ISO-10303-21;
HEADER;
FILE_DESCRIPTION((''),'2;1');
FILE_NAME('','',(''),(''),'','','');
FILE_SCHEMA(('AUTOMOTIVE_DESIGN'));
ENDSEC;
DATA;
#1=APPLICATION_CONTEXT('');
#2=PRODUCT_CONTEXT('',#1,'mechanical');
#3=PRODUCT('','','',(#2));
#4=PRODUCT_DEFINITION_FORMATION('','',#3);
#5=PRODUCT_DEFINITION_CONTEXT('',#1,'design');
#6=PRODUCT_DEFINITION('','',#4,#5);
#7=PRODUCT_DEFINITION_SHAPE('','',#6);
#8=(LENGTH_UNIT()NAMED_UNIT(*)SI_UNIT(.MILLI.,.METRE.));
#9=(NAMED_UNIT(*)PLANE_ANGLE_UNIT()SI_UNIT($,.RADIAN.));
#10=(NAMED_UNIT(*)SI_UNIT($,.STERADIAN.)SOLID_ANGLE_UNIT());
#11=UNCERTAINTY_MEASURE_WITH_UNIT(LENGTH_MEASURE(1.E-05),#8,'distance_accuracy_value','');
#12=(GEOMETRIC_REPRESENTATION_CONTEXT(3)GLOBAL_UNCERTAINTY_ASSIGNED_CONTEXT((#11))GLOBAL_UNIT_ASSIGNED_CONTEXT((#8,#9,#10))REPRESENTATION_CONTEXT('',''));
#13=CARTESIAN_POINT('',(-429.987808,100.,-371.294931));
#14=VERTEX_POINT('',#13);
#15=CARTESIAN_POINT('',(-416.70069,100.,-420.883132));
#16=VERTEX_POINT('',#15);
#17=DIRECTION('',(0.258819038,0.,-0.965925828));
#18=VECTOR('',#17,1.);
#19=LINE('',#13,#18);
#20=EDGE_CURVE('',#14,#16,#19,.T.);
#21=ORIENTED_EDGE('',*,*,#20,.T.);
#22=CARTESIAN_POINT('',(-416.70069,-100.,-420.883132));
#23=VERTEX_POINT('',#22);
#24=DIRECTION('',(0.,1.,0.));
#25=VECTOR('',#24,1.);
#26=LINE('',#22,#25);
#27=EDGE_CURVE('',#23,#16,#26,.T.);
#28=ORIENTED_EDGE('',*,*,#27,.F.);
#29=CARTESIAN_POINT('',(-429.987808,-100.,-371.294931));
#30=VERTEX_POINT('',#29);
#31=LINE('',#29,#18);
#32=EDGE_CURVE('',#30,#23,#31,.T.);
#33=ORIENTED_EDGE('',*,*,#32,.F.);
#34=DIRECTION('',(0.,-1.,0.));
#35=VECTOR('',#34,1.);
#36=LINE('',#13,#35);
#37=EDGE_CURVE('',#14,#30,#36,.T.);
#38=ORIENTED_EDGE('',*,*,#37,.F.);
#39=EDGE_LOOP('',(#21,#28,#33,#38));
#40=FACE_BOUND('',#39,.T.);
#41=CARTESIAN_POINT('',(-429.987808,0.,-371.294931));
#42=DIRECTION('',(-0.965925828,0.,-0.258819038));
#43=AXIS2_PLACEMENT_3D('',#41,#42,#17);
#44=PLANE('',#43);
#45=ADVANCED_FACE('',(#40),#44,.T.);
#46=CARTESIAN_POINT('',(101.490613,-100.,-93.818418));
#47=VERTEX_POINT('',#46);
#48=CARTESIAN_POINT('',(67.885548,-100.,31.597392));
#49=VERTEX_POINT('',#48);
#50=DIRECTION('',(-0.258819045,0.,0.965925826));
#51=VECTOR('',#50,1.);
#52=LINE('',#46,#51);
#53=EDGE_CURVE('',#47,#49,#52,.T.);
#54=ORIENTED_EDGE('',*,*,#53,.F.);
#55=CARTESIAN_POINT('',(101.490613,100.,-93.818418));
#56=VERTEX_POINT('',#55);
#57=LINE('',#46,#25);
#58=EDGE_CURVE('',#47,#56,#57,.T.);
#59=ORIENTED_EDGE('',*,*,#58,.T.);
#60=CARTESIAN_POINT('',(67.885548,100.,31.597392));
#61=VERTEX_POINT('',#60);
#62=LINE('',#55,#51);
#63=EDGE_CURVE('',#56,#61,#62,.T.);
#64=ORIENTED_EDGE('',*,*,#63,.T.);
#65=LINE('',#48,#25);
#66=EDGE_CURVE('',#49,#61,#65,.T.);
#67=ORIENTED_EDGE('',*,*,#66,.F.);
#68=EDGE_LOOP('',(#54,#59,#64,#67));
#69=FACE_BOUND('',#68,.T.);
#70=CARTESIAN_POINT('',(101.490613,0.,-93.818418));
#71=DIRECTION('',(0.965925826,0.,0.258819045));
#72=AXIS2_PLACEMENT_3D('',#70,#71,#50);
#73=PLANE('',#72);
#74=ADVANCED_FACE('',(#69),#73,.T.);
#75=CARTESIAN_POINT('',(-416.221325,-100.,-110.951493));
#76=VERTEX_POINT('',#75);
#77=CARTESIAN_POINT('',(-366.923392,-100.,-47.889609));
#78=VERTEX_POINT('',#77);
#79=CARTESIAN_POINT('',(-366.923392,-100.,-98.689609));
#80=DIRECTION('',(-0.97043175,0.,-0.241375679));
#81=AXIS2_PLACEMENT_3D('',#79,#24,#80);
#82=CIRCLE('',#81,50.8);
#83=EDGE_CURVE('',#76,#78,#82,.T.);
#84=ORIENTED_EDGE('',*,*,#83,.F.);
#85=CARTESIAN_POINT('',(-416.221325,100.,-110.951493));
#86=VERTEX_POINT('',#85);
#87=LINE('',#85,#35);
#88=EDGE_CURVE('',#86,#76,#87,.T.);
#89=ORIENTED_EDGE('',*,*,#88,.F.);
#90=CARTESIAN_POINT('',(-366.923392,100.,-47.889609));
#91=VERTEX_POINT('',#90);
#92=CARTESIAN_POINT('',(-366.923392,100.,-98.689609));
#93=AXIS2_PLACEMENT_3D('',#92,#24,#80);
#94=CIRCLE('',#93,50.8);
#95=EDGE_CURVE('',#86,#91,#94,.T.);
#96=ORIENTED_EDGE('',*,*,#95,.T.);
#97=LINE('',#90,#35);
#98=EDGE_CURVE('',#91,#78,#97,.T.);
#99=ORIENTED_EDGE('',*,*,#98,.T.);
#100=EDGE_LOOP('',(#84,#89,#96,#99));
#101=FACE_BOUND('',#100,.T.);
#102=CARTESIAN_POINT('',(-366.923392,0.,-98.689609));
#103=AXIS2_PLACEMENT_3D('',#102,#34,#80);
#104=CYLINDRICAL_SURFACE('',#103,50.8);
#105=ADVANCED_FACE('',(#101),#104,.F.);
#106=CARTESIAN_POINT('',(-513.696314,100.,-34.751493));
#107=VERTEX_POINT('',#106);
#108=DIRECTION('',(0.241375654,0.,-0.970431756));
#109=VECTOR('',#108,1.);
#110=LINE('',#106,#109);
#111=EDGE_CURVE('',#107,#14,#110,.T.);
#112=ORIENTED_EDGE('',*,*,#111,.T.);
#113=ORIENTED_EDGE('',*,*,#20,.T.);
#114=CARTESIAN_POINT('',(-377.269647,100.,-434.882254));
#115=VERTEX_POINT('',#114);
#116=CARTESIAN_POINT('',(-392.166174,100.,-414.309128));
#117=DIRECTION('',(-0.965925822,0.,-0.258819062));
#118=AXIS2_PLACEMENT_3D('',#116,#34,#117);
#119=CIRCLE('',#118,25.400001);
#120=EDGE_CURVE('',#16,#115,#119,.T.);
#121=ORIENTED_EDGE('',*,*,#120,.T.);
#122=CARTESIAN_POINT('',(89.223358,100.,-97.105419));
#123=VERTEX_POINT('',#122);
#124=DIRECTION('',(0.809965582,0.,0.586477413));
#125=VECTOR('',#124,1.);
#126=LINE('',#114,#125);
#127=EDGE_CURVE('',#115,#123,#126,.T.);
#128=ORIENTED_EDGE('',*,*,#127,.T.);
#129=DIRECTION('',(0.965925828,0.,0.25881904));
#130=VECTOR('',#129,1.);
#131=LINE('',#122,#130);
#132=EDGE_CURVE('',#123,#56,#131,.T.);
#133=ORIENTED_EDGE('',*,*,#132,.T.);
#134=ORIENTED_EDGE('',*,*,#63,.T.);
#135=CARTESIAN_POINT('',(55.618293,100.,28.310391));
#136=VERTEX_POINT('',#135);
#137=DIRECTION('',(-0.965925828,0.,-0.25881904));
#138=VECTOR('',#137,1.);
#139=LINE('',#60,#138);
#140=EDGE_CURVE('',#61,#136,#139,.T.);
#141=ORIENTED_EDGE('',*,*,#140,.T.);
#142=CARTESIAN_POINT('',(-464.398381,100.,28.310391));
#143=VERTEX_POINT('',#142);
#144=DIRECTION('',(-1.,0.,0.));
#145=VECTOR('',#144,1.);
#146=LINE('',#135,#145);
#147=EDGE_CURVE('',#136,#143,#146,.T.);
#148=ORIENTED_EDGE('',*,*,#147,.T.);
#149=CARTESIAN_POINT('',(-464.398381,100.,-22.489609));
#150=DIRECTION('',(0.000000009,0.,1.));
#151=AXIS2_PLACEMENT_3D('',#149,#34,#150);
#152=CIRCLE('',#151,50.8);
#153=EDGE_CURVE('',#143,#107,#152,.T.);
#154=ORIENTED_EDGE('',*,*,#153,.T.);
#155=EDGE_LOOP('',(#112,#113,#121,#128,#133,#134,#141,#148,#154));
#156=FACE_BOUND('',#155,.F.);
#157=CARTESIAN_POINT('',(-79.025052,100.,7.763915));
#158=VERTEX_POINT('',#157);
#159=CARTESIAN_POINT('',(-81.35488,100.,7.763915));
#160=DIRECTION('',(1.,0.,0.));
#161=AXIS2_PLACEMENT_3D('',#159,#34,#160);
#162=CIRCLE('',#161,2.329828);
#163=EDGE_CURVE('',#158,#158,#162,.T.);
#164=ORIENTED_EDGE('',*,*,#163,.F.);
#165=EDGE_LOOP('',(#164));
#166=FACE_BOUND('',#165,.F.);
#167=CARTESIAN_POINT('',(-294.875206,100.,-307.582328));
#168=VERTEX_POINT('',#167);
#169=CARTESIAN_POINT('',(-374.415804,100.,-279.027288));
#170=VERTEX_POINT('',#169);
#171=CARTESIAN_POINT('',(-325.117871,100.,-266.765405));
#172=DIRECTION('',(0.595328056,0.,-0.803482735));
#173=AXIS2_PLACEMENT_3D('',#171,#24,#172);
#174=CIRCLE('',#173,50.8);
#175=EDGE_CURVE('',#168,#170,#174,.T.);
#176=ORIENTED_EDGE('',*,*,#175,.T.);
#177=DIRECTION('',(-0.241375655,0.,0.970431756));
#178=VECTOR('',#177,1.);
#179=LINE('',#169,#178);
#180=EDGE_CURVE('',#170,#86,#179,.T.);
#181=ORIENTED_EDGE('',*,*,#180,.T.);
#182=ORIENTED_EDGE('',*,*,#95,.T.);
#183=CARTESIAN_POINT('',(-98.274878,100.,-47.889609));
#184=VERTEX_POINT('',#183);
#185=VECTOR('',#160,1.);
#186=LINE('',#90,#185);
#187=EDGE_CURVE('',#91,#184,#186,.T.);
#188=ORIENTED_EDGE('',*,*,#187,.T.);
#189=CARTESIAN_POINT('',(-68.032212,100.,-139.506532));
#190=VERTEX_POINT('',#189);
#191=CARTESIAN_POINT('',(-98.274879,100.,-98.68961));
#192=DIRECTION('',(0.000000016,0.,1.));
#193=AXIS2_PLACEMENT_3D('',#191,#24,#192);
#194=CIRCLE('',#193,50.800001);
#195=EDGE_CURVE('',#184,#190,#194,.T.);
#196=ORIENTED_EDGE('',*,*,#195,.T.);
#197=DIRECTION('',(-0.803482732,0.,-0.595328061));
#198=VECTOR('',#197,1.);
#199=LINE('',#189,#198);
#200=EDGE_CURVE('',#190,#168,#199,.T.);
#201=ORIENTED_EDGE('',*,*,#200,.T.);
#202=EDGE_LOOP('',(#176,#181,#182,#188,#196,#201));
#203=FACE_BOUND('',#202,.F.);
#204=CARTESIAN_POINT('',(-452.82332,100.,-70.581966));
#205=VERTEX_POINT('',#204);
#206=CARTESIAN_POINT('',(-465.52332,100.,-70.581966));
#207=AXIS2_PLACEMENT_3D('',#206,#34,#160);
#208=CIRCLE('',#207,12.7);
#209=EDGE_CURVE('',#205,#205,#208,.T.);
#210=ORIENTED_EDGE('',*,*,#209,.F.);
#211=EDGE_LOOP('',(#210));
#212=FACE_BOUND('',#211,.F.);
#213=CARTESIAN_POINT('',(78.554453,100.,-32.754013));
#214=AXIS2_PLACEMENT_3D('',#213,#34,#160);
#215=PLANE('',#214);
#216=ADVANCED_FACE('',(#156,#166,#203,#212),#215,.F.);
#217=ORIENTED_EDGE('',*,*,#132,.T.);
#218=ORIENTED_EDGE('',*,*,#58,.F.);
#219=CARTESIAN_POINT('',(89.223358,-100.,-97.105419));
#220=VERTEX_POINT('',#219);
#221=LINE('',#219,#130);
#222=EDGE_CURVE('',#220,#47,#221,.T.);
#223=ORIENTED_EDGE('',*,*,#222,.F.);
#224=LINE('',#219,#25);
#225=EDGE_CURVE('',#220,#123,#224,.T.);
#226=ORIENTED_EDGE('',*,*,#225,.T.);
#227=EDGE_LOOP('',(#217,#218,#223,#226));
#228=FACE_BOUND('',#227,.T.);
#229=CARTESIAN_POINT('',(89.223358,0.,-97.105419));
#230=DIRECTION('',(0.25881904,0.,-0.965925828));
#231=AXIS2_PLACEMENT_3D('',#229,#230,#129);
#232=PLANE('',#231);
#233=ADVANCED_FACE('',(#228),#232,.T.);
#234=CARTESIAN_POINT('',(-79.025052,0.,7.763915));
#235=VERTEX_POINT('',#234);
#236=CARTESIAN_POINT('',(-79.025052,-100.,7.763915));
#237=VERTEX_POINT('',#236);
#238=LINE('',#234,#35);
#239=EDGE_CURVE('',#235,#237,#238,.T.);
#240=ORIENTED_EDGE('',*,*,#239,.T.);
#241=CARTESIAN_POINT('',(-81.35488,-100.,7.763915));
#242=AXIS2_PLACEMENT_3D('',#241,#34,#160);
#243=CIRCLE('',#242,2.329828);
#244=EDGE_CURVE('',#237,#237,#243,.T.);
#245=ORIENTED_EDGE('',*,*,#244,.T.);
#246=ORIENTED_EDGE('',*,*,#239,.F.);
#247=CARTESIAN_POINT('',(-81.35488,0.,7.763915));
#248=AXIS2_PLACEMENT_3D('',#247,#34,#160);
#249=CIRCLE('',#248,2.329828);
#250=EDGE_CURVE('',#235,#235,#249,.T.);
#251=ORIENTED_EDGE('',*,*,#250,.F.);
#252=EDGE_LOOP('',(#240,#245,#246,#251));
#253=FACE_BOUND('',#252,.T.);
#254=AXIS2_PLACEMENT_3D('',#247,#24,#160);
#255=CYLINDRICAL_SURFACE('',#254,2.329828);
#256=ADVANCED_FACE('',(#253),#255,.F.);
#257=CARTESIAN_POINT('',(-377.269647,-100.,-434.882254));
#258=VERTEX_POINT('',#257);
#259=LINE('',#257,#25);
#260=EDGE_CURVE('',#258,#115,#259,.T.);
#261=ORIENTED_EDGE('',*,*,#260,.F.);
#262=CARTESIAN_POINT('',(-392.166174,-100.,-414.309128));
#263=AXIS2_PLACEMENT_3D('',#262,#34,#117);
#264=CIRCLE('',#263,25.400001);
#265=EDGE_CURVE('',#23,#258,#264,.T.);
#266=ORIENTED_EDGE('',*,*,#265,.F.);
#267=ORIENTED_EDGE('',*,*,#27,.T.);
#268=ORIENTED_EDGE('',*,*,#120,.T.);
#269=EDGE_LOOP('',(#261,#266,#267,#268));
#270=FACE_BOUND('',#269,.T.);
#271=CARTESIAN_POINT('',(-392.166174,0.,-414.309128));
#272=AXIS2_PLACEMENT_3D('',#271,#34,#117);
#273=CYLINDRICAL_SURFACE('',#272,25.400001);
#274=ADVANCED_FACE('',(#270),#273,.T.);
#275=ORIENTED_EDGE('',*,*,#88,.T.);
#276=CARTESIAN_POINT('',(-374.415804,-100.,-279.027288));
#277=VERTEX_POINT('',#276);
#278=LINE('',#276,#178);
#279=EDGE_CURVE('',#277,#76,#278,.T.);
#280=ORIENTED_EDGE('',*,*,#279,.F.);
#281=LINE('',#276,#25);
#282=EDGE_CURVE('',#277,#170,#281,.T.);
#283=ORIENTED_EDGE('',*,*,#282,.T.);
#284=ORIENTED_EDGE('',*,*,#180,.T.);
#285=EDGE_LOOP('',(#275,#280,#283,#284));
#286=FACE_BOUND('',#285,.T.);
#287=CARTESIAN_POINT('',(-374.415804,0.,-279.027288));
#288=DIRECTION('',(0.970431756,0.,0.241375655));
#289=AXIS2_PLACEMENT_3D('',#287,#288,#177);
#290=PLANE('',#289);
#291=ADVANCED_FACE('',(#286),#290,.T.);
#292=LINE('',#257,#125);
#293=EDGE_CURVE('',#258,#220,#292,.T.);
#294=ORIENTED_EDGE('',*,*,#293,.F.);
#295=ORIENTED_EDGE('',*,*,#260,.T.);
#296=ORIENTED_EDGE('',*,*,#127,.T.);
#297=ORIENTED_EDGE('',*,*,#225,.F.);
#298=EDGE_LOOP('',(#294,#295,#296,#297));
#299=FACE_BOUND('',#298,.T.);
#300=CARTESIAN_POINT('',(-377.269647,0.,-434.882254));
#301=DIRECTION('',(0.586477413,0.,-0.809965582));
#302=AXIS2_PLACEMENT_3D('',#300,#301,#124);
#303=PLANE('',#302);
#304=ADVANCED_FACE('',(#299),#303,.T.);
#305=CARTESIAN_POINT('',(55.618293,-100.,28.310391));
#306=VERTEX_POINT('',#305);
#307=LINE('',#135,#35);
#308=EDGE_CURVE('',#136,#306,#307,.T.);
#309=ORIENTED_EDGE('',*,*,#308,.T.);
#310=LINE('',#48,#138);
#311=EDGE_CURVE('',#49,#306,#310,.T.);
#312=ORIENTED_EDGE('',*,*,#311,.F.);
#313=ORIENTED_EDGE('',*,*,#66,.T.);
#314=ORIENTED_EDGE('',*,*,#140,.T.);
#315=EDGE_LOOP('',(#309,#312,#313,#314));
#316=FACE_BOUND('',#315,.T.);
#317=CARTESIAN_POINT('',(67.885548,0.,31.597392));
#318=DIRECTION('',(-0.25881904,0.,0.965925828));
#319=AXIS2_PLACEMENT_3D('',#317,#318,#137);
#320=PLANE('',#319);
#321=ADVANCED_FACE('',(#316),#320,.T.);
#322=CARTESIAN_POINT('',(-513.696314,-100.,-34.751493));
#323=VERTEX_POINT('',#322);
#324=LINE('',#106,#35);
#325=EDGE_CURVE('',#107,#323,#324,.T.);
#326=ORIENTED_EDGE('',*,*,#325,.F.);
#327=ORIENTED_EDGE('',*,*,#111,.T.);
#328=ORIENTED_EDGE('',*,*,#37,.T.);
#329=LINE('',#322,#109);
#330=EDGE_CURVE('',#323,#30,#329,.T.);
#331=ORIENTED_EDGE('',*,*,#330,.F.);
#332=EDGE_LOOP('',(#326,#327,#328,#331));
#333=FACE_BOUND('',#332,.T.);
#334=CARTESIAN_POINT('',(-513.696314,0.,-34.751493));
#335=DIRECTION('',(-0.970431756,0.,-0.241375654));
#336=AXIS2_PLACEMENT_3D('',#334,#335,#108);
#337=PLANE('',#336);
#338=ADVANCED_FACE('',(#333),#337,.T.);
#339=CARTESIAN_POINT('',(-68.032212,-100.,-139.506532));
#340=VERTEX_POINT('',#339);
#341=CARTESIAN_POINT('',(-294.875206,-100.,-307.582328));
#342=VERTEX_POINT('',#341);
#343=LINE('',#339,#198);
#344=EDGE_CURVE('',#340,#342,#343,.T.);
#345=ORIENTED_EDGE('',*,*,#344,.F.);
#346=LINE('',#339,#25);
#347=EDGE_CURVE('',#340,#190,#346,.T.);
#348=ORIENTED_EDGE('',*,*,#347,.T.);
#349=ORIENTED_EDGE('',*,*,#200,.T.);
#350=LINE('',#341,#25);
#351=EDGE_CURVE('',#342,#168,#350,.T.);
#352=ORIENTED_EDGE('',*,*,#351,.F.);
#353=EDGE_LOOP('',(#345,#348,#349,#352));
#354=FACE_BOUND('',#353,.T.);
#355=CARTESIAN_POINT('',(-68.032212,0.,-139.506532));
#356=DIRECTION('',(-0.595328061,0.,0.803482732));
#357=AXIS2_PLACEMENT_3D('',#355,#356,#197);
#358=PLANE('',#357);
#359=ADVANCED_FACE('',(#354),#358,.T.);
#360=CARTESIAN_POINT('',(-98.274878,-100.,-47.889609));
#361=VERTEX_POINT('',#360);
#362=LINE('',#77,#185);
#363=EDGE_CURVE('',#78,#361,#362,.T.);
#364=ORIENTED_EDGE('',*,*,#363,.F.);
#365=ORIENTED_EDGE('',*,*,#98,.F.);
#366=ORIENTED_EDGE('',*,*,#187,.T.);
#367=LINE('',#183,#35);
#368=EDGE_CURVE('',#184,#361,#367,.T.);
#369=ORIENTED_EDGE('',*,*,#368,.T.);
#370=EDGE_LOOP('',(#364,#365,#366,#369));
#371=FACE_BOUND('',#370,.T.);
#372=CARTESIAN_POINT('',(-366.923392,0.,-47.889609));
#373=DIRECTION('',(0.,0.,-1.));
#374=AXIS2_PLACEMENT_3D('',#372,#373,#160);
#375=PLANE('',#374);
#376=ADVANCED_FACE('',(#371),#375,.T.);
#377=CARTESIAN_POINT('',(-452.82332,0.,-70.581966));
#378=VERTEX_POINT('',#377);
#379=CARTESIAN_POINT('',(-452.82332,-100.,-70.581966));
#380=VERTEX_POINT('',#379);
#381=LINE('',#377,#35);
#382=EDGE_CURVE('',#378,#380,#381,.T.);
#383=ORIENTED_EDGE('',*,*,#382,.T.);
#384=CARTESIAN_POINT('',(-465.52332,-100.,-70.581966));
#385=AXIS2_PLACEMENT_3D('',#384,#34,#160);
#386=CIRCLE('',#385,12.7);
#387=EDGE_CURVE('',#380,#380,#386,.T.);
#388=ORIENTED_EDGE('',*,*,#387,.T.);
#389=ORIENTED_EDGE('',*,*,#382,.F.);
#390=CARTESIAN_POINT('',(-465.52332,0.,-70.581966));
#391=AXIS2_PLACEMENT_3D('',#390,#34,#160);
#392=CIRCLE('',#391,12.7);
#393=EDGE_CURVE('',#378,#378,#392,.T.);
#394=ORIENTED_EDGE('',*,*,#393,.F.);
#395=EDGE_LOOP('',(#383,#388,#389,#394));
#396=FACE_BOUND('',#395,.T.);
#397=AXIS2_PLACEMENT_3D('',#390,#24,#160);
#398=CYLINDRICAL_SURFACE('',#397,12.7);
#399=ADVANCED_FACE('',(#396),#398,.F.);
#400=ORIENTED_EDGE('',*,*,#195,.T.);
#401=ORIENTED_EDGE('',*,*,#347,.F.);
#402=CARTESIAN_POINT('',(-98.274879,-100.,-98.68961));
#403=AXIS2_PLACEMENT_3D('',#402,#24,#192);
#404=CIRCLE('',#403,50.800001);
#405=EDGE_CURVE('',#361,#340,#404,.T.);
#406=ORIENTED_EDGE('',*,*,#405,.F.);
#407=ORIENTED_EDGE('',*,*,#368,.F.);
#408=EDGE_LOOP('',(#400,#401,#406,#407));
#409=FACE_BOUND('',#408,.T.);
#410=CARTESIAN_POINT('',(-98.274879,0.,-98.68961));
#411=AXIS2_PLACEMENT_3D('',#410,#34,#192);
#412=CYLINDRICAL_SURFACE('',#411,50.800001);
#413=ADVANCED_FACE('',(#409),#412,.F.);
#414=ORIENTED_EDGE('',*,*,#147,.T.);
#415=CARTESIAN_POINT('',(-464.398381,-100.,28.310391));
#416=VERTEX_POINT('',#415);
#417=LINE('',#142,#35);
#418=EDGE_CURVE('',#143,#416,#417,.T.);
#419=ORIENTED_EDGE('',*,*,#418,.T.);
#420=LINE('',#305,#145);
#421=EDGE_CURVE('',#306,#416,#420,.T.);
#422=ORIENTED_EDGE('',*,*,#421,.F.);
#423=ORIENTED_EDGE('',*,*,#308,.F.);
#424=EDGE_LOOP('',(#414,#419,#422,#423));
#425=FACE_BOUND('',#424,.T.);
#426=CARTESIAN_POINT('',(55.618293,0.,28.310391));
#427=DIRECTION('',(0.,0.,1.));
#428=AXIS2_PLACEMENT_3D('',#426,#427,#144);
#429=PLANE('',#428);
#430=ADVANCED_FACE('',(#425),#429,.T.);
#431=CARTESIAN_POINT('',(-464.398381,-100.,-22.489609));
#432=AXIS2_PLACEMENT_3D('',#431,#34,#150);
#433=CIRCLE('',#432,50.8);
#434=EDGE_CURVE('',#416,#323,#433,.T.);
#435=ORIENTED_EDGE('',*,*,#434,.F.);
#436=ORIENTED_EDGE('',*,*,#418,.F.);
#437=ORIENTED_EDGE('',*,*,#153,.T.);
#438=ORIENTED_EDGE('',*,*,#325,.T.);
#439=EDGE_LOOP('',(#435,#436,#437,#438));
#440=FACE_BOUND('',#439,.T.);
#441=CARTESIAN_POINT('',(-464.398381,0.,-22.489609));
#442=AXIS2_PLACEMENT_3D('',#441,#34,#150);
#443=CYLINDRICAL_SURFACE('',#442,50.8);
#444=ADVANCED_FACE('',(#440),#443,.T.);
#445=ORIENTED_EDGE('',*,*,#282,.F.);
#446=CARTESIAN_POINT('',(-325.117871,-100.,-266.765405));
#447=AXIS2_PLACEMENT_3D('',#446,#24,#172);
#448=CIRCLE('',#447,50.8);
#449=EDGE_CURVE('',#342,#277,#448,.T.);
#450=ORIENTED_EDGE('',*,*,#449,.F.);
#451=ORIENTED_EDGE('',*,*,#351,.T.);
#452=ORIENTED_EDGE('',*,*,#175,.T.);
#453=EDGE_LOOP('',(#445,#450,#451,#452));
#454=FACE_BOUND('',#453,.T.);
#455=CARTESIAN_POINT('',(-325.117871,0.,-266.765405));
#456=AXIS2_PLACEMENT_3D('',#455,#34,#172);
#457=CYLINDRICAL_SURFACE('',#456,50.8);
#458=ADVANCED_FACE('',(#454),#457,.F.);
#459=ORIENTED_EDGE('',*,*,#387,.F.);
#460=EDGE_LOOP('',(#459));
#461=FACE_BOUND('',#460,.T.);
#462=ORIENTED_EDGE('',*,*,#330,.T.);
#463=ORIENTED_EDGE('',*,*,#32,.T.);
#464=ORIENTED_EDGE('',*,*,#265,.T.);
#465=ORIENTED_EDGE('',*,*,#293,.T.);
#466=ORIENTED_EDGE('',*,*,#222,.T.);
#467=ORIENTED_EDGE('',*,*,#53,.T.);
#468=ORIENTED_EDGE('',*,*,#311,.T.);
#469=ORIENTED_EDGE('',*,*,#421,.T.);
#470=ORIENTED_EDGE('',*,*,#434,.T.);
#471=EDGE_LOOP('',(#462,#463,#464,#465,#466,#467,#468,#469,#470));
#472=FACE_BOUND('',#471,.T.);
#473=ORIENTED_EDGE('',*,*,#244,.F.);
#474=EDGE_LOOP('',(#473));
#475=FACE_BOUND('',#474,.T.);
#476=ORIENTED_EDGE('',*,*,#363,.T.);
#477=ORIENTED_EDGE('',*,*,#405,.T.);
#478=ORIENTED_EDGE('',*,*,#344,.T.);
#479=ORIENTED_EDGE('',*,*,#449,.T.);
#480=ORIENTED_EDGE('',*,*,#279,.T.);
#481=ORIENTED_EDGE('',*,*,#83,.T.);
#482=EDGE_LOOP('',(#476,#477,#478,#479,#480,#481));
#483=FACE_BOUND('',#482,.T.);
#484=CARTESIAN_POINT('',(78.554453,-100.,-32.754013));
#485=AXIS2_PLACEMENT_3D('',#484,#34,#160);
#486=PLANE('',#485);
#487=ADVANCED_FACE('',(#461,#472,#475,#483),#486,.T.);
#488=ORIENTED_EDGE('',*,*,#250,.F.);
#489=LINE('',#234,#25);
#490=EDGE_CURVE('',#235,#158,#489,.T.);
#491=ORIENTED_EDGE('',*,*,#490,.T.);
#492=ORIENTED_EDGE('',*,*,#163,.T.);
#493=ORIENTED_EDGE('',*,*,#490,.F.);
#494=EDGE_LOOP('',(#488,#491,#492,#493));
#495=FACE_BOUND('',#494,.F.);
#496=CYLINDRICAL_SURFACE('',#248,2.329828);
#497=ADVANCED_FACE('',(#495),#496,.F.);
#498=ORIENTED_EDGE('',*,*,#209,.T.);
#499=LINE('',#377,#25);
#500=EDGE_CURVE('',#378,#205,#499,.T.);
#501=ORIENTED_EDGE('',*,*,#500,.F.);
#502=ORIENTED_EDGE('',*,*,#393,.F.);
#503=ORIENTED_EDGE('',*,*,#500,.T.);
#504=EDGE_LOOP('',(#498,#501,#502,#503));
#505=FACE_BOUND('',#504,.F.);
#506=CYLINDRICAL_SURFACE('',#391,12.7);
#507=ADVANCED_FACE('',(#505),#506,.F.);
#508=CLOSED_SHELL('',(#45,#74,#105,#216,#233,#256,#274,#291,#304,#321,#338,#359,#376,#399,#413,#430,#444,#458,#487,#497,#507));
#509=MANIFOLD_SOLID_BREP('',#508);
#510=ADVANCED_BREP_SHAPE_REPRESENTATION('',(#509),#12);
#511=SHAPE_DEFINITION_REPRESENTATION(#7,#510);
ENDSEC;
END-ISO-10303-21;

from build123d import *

# Parameters (mm, degrees)
F0_R          = 12.7
F0_R_2        = 2.329828
F1_DEPTH      = 100
F1_DEPTH_BACK = 100
F2_DEPTH      = 100
F2_DEPTH_BACK = 100


with BuildPart() as f1:
    # F0 (on Front) → F1 (new body, two sides)
    with BuildSketch(Plane.XZ) as f1_sk:
        with BuildLine():
            Line((55.618293, 28.310391), (-464.398381, 28.310391))
            ThreePointArc((-464.398381, 28.310391), (-504.420523, 8.79726), (-513.696314, -34.751493))
            Line((-513.696314, -34.751493), (-429.987808, -371.294931))
            Line((-429.987808, -371.294931), (-416.70069, -420.883132))
            ThreePointArc((-416.70069, -420.883132), (-400.664207, -438.245365), (-377.269647, -434.882254))
            Line((-377.269647, -434.882254), (89.223358, -97.105419))
            Line((89.223358, -97.105419), (55.618293, 28.310391))
        make_face()
        with BuildLine():
            ThreePointArc((-416.221325, -110.951493), (-406.945534, -67.40274), (-366.923392, -47.889609))
            Line((-366.923392, -47.889609), (-98.274878, -47.889609))
            ThreePointArc((-98.274878, -47.889609), (-50.035166, -82.765723), (-68.032212, -139.506532))
            Line((-68.032212, -139.506532), (-294.875206, -307.582328))
            ThreePointArc((-294.875206, -307.582328), (-342.282468, -314.577711), (-374.415804, -279.027288))
            Line((-374.415804, -279.027288), (-416.221325, -110.951493))
        make_face(mode=Mode.SUBTRACT)
        with Locations((-465.52332, -70.581966)):
            Circle(F0_R, mode=Mode.SUBTRACT)
        with Locations((-81.35488, 7.763915)):
            Circle(F0_R_2, mode=Mode.SUBTRACT)
    extrude(amount=F1_DEPTH)
    extrude(f1_sk.sketch, amount=-F1_DEPTH_BACK)

    # F0 (on Front) → F2 (join, two sides)
    with BuildSketch(Plane.XZ) as f2_sk:
        Polygon((67.885548, 31.597392), (55.618293, 28.310391), (89.223358, -97.105419), (101.490613, -93.818418), align=None)
    extrude(amount=F2_DEPTH)
    extrude(f2_sk.sketch, amount=-F2_DEPTH_BACK)


solid = f1.part
